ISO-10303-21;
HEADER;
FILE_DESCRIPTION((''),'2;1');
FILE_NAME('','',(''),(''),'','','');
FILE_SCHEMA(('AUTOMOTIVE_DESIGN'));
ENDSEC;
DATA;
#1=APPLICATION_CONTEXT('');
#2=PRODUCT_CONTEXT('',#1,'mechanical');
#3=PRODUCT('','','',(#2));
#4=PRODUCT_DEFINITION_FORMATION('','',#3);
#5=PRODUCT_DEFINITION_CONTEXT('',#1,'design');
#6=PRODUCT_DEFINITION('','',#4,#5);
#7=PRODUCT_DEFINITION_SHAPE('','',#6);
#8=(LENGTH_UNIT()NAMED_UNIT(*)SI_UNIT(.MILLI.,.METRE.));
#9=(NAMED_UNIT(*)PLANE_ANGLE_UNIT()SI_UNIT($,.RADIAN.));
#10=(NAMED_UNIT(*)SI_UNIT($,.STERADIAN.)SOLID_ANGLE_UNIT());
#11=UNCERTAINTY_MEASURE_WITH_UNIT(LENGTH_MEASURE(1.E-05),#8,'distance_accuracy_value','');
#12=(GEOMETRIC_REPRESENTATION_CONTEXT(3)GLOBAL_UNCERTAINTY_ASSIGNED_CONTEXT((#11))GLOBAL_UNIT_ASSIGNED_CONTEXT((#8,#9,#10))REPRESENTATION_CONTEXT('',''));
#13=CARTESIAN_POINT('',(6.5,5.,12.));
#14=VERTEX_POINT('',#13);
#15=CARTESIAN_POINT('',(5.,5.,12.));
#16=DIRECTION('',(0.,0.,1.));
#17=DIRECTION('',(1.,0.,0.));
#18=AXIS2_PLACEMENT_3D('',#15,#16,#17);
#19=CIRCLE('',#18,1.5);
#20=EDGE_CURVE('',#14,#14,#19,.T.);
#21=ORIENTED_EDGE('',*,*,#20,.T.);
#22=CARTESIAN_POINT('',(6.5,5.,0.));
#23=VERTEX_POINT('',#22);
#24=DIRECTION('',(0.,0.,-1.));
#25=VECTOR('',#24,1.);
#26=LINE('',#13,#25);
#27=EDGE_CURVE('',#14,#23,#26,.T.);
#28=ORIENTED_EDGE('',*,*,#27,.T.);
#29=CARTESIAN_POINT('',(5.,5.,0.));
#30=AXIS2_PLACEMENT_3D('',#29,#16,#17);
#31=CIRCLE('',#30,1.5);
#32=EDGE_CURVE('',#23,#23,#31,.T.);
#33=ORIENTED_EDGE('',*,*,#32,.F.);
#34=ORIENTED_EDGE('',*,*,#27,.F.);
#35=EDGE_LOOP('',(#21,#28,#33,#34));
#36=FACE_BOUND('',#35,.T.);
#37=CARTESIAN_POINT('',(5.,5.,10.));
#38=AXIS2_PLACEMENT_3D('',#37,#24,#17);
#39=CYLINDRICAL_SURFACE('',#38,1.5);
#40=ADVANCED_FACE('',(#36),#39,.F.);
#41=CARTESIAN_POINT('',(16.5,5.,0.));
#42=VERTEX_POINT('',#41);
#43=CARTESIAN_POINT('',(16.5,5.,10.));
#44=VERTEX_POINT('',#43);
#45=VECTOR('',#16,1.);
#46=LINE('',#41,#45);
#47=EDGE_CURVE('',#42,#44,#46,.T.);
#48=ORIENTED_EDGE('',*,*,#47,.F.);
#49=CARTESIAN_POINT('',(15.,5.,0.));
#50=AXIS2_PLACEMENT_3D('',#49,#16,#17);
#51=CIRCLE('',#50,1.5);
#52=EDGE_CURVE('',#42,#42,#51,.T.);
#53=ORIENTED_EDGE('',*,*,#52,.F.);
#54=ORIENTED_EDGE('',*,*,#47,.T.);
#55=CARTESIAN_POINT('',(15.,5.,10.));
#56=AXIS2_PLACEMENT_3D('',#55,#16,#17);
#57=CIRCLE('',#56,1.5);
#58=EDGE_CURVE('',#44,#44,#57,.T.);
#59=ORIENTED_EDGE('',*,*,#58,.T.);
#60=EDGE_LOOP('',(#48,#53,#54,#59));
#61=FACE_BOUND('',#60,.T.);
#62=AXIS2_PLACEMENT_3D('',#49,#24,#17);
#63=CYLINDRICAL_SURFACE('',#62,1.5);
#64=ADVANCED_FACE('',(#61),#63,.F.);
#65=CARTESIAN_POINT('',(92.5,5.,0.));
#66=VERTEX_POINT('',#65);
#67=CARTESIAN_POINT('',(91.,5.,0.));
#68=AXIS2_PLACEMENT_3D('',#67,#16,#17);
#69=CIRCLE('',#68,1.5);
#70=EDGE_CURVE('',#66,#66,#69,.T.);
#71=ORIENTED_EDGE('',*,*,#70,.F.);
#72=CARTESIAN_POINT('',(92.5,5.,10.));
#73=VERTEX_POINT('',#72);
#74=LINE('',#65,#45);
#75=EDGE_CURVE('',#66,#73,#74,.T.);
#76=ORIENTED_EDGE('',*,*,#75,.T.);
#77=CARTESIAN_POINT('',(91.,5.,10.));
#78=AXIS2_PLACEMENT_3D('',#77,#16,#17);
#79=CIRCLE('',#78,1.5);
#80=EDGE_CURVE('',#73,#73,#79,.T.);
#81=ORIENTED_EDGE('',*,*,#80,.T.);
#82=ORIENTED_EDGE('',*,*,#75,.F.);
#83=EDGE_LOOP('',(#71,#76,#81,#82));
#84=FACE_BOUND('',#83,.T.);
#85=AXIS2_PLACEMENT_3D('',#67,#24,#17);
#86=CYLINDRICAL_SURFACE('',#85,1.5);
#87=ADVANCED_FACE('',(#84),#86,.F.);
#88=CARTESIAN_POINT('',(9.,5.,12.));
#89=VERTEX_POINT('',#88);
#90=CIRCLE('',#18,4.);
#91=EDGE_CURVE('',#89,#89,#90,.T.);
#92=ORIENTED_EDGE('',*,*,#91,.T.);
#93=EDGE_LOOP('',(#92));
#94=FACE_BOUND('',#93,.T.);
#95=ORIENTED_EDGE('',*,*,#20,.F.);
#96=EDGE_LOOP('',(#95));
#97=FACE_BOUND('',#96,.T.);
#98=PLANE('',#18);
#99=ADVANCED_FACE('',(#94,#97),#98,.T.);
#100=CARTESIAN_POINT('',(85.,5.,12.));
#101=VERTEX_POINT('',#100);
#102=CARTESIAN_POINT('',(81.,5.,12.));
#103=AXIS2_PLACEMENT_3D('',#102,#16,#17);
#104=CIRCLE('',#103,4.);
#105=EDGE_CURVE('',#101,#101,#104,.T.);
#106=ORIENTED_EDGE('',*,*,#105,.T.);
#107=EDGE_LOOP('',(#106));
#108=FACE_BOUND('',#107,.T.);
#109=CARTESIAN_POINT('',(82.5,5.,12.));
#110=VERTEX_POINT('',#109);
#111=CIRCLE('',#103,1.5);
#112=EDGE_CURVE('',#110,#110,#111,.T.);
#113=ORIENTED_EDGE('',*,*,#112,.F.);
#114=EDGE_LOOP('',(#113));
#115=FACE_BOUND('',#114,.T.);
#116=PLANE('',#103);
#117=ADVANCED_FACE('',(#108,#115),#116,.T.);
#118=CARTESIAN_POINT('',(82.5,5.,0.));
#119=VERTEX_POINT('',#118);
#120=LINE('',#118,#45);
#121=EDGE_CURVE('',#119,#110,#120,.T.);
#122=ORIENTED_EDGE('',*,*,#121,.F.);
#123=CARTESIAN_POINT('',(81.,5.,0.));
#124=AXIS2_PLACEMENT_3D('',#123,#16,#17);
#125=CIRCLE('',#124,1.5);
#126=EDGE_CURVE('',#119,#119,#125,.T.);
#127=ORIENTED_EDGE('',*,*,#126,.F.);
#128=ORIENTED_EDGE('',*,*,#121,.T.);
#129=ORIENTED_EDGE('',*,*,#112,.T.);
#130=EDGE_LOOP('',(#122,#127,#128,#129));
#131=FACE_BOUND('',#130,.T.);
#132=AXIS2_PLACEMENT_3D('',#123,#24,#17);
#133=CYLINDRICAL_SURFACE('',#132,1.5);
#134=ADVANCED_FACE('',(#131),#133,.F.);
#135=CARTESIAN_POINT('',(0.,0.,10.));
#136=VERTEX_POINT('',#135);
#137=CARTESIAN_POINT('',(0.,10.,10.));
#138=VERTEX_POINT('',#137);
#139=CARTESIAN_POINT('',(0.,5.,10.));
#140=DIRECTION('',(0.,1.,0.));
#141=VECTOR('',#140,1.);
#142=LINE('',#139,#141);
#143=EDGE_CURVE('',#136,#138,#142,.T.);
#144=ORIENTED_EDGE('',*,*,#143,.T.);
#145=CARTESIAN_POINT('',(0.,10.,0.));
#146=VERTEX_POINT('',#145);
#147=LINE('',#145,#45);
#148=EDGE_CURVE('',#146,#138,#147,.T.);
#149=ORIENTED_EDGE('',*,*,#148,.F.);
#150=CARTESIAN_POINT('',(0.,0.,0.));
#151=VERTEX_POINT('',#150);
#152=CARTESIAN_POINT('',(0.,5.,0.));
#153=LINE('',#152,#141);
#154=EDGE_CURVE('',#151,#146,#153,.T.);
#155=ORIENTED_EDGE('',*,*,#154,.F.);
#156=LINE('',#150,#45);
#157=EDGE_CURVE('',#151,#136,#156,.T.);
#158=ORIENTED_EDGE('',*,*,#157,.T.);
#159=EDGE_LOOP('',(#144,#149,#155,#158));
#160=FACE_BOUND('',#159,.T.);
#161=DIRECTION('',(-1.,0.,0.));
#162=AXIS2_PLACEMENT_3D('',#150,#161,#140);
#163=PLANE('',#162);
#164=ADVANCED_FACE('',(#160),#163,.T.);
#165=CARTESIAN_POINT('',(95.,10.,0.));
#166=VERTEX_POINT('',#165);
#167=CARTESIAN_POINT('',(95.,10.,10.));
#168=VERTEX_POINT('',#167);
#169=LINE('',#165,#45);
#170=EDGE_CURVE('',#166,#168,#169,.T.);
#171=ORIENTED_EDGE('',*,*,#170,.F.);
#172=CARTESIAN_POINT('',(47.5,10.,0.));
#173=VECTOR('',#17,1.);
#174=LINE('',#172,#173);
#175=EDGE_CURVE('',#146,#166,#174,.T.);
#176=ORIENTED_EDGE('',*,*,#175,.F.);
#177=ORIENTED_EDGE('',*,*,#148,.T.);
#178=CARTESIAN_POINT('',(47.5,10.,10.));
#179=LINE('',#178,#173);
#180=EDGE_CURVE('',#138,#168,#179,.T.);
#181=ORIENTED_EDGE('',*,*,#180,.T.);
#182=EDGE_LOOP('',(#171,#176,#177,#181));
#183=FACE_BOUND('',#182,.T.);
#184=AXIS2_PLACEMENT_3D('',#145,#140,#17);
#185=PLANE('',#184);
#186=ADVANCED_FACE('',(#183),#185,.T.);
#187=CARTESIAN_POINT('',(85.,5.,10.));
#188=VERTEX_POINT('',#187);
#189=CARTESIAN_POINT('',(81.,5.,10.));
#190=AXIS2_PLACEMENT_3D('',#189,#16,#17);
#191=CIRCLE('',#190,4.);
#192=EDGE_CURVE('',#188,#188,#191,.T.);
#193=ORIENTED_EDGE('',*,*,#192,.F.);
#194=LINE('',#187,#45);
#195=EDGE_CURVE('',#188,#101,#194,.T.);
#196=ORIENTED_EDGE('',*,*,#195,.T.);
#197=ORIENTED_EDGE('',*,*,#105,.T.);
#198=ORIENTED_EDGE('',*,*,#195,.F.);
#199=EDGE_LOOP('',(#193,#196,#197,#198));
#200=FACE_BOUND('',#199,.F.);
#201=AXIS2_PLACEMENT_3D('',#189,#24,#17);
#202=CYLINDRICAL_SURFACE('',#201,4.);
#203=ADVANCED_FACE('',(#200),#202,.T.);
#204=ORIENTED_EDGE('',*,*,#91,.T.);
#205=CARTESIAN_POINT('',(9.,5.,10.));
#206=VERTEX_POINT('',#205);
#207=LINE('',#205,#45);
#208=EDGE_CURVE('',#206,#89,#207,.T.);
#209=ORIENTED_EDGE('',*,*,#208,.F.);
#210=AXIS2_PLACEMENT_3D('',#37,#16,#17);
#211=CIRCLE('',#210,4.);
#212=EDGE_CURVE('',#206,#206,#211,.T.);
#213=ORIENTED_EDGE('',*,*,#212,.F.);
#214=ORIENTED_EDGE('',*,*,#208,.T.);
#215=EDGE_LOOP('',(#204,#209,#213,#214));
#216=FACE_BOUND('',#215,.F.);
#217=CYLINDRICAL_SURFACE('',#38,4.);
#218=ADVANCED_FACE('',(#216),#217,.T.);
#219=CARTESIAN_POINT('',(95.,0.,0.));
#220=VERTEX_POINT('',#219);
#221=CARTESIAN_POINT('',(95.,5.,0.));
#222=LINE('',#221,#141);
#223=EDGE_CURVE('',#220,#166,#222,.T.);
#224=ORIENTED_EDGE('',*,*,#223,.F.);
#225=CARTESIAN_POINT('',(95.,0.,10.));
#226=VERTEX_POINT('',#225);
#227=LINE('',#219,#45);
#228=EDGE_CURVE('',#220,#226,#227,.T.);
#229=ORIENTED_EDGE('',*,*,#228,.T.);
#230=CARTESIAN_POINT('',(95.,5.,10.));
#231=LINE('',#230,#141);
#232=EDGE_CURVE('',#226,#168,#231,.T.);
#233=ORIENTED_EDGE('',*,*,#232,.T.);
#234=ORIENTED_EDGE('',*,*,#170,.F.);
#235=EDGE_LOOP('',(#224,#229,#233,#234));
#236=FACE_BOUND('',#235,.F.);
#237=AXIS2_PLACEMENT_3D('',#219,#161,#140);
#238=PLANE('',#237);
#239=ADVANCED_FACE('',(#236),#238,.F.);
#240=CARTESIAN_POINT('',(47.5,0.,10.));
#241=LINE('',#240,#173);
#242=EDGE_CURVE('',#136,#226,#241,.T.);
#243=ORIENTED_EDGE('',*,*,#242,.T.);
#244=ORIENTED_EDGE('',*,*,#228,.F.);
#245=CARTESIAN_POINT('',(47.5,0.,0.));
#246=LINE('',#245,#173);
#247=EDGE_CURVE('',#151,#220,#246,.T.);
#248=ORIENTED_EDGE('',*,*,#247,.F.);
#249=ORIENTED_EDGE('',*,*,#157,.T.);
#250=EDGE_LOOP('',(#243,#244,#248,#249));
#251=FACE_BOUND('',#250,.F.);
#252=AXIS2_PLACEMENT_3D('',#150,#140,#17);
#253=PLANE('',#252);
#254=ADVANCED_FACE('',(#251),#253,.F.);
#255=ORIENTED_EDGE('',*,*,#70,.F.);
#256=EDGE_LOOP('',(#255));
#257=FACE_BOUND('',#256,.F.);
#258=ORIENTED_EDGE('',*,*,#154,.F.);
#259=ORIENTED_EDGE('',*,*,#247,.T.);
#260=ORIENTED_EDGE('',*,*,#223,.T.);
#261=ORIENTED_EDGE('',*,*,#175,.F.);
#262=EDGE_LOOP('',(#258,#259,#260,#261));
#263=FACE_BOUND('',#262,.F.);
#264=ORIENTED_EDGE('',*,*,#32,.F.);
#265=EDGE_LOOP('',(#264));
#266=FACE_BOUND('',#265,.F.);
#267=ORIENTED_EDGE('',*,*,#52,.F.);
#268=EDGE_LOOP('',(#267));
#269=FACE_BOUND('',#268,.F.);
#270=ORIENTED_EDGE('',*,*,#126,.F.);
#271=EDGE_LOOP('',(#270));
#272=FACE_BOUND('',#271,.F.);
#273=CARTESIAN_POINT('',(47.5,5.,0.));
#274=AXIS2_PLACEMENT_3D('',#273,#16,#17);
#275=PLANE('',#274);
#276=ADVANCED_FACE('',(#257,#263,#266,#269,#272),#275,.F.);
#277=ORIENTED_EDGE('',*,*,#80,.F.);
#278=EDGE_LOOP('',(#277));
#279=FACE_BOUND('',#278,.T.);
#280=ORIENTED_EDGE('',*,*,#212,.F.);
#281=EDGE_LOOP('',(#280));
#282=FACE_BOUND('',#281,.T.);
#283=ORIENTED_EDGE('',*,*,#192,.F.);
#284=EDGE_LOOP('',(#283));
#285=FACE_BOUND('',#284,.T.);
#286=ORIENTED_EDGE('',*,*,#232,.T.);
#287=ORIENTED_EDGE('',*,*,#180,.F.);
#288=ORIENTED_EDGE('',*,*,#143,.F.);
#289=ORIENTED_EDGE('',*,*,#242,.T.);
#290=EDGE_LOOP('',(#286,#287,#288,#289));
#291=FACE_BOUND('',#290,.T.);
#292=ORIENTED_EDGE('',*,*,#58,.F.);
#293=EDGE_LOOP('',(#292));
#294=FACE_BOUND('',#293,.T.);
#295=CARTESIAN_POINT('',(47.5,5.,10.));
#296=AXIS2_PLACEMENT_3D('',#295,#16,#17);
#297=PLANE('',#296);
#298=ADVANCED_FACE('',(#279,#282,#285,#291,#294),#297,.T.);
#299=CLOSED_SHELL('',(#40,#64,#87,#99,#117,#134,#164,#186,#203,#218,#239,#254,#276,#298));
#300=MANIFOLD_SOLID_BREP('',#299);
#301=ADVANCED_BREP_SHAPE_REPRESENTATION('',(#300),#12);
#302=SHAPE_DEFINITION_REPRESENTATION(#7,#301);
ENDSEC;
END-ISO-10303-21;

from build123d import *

# Parameters (mm, degrees)
SKETCH_W      = 95
SKETCH_H      = 10
SKETCH_R      = 1.5
PAD_DEPTH     = 10
SKETCH001_R   = 4
SKETCH001_R_2 = 1.5
PAD001_DEPTH  = 2


with BuildPart() as part:
    # Sketch → Pad (new body)
    with BuildSketch(Plane.XY):
        with Locations((47.5, 5)):
            Rectangle(SKETCH_W, SKETCH_H)
        with Locations((5, 5)):
            Circle(SKETCH_R, mode=Mode.SUBTRACT)
        with Locations((81, 5)):
            Circle(SKETCH_R, mode=Mode.SUBTRACT)
        with Locations((91, 5)):
            Circle(SKETCH_R, mode=Mode.SUBTRACT)
        with Locations((15, 5)):
            Circle(SKETCH_R, mode=Mode.SUBTRACT)
    extrude(amount=PAD_DEPTH)

    # Sketch001 (on Face10 of Pad) → Pad001 (join)
    with BuildSketch(Plane.XY.offset(10)):
        with Locations((5, 5)):
            Circle(SKETCH001_R)
        with Locations((5, 5)):
            Circle(SKETCH001_R_2, mode=Mode.SUBTRACT)
        with Locations((81, 5)):
            Circle(SKETCH001_R)
        with Locations((81, 5)):
            Circle(SKETCH001_R_2, mode=Mode.SUBTRACT)
    extrude(amount=PAD001_DEPTH)


solid = part.part
